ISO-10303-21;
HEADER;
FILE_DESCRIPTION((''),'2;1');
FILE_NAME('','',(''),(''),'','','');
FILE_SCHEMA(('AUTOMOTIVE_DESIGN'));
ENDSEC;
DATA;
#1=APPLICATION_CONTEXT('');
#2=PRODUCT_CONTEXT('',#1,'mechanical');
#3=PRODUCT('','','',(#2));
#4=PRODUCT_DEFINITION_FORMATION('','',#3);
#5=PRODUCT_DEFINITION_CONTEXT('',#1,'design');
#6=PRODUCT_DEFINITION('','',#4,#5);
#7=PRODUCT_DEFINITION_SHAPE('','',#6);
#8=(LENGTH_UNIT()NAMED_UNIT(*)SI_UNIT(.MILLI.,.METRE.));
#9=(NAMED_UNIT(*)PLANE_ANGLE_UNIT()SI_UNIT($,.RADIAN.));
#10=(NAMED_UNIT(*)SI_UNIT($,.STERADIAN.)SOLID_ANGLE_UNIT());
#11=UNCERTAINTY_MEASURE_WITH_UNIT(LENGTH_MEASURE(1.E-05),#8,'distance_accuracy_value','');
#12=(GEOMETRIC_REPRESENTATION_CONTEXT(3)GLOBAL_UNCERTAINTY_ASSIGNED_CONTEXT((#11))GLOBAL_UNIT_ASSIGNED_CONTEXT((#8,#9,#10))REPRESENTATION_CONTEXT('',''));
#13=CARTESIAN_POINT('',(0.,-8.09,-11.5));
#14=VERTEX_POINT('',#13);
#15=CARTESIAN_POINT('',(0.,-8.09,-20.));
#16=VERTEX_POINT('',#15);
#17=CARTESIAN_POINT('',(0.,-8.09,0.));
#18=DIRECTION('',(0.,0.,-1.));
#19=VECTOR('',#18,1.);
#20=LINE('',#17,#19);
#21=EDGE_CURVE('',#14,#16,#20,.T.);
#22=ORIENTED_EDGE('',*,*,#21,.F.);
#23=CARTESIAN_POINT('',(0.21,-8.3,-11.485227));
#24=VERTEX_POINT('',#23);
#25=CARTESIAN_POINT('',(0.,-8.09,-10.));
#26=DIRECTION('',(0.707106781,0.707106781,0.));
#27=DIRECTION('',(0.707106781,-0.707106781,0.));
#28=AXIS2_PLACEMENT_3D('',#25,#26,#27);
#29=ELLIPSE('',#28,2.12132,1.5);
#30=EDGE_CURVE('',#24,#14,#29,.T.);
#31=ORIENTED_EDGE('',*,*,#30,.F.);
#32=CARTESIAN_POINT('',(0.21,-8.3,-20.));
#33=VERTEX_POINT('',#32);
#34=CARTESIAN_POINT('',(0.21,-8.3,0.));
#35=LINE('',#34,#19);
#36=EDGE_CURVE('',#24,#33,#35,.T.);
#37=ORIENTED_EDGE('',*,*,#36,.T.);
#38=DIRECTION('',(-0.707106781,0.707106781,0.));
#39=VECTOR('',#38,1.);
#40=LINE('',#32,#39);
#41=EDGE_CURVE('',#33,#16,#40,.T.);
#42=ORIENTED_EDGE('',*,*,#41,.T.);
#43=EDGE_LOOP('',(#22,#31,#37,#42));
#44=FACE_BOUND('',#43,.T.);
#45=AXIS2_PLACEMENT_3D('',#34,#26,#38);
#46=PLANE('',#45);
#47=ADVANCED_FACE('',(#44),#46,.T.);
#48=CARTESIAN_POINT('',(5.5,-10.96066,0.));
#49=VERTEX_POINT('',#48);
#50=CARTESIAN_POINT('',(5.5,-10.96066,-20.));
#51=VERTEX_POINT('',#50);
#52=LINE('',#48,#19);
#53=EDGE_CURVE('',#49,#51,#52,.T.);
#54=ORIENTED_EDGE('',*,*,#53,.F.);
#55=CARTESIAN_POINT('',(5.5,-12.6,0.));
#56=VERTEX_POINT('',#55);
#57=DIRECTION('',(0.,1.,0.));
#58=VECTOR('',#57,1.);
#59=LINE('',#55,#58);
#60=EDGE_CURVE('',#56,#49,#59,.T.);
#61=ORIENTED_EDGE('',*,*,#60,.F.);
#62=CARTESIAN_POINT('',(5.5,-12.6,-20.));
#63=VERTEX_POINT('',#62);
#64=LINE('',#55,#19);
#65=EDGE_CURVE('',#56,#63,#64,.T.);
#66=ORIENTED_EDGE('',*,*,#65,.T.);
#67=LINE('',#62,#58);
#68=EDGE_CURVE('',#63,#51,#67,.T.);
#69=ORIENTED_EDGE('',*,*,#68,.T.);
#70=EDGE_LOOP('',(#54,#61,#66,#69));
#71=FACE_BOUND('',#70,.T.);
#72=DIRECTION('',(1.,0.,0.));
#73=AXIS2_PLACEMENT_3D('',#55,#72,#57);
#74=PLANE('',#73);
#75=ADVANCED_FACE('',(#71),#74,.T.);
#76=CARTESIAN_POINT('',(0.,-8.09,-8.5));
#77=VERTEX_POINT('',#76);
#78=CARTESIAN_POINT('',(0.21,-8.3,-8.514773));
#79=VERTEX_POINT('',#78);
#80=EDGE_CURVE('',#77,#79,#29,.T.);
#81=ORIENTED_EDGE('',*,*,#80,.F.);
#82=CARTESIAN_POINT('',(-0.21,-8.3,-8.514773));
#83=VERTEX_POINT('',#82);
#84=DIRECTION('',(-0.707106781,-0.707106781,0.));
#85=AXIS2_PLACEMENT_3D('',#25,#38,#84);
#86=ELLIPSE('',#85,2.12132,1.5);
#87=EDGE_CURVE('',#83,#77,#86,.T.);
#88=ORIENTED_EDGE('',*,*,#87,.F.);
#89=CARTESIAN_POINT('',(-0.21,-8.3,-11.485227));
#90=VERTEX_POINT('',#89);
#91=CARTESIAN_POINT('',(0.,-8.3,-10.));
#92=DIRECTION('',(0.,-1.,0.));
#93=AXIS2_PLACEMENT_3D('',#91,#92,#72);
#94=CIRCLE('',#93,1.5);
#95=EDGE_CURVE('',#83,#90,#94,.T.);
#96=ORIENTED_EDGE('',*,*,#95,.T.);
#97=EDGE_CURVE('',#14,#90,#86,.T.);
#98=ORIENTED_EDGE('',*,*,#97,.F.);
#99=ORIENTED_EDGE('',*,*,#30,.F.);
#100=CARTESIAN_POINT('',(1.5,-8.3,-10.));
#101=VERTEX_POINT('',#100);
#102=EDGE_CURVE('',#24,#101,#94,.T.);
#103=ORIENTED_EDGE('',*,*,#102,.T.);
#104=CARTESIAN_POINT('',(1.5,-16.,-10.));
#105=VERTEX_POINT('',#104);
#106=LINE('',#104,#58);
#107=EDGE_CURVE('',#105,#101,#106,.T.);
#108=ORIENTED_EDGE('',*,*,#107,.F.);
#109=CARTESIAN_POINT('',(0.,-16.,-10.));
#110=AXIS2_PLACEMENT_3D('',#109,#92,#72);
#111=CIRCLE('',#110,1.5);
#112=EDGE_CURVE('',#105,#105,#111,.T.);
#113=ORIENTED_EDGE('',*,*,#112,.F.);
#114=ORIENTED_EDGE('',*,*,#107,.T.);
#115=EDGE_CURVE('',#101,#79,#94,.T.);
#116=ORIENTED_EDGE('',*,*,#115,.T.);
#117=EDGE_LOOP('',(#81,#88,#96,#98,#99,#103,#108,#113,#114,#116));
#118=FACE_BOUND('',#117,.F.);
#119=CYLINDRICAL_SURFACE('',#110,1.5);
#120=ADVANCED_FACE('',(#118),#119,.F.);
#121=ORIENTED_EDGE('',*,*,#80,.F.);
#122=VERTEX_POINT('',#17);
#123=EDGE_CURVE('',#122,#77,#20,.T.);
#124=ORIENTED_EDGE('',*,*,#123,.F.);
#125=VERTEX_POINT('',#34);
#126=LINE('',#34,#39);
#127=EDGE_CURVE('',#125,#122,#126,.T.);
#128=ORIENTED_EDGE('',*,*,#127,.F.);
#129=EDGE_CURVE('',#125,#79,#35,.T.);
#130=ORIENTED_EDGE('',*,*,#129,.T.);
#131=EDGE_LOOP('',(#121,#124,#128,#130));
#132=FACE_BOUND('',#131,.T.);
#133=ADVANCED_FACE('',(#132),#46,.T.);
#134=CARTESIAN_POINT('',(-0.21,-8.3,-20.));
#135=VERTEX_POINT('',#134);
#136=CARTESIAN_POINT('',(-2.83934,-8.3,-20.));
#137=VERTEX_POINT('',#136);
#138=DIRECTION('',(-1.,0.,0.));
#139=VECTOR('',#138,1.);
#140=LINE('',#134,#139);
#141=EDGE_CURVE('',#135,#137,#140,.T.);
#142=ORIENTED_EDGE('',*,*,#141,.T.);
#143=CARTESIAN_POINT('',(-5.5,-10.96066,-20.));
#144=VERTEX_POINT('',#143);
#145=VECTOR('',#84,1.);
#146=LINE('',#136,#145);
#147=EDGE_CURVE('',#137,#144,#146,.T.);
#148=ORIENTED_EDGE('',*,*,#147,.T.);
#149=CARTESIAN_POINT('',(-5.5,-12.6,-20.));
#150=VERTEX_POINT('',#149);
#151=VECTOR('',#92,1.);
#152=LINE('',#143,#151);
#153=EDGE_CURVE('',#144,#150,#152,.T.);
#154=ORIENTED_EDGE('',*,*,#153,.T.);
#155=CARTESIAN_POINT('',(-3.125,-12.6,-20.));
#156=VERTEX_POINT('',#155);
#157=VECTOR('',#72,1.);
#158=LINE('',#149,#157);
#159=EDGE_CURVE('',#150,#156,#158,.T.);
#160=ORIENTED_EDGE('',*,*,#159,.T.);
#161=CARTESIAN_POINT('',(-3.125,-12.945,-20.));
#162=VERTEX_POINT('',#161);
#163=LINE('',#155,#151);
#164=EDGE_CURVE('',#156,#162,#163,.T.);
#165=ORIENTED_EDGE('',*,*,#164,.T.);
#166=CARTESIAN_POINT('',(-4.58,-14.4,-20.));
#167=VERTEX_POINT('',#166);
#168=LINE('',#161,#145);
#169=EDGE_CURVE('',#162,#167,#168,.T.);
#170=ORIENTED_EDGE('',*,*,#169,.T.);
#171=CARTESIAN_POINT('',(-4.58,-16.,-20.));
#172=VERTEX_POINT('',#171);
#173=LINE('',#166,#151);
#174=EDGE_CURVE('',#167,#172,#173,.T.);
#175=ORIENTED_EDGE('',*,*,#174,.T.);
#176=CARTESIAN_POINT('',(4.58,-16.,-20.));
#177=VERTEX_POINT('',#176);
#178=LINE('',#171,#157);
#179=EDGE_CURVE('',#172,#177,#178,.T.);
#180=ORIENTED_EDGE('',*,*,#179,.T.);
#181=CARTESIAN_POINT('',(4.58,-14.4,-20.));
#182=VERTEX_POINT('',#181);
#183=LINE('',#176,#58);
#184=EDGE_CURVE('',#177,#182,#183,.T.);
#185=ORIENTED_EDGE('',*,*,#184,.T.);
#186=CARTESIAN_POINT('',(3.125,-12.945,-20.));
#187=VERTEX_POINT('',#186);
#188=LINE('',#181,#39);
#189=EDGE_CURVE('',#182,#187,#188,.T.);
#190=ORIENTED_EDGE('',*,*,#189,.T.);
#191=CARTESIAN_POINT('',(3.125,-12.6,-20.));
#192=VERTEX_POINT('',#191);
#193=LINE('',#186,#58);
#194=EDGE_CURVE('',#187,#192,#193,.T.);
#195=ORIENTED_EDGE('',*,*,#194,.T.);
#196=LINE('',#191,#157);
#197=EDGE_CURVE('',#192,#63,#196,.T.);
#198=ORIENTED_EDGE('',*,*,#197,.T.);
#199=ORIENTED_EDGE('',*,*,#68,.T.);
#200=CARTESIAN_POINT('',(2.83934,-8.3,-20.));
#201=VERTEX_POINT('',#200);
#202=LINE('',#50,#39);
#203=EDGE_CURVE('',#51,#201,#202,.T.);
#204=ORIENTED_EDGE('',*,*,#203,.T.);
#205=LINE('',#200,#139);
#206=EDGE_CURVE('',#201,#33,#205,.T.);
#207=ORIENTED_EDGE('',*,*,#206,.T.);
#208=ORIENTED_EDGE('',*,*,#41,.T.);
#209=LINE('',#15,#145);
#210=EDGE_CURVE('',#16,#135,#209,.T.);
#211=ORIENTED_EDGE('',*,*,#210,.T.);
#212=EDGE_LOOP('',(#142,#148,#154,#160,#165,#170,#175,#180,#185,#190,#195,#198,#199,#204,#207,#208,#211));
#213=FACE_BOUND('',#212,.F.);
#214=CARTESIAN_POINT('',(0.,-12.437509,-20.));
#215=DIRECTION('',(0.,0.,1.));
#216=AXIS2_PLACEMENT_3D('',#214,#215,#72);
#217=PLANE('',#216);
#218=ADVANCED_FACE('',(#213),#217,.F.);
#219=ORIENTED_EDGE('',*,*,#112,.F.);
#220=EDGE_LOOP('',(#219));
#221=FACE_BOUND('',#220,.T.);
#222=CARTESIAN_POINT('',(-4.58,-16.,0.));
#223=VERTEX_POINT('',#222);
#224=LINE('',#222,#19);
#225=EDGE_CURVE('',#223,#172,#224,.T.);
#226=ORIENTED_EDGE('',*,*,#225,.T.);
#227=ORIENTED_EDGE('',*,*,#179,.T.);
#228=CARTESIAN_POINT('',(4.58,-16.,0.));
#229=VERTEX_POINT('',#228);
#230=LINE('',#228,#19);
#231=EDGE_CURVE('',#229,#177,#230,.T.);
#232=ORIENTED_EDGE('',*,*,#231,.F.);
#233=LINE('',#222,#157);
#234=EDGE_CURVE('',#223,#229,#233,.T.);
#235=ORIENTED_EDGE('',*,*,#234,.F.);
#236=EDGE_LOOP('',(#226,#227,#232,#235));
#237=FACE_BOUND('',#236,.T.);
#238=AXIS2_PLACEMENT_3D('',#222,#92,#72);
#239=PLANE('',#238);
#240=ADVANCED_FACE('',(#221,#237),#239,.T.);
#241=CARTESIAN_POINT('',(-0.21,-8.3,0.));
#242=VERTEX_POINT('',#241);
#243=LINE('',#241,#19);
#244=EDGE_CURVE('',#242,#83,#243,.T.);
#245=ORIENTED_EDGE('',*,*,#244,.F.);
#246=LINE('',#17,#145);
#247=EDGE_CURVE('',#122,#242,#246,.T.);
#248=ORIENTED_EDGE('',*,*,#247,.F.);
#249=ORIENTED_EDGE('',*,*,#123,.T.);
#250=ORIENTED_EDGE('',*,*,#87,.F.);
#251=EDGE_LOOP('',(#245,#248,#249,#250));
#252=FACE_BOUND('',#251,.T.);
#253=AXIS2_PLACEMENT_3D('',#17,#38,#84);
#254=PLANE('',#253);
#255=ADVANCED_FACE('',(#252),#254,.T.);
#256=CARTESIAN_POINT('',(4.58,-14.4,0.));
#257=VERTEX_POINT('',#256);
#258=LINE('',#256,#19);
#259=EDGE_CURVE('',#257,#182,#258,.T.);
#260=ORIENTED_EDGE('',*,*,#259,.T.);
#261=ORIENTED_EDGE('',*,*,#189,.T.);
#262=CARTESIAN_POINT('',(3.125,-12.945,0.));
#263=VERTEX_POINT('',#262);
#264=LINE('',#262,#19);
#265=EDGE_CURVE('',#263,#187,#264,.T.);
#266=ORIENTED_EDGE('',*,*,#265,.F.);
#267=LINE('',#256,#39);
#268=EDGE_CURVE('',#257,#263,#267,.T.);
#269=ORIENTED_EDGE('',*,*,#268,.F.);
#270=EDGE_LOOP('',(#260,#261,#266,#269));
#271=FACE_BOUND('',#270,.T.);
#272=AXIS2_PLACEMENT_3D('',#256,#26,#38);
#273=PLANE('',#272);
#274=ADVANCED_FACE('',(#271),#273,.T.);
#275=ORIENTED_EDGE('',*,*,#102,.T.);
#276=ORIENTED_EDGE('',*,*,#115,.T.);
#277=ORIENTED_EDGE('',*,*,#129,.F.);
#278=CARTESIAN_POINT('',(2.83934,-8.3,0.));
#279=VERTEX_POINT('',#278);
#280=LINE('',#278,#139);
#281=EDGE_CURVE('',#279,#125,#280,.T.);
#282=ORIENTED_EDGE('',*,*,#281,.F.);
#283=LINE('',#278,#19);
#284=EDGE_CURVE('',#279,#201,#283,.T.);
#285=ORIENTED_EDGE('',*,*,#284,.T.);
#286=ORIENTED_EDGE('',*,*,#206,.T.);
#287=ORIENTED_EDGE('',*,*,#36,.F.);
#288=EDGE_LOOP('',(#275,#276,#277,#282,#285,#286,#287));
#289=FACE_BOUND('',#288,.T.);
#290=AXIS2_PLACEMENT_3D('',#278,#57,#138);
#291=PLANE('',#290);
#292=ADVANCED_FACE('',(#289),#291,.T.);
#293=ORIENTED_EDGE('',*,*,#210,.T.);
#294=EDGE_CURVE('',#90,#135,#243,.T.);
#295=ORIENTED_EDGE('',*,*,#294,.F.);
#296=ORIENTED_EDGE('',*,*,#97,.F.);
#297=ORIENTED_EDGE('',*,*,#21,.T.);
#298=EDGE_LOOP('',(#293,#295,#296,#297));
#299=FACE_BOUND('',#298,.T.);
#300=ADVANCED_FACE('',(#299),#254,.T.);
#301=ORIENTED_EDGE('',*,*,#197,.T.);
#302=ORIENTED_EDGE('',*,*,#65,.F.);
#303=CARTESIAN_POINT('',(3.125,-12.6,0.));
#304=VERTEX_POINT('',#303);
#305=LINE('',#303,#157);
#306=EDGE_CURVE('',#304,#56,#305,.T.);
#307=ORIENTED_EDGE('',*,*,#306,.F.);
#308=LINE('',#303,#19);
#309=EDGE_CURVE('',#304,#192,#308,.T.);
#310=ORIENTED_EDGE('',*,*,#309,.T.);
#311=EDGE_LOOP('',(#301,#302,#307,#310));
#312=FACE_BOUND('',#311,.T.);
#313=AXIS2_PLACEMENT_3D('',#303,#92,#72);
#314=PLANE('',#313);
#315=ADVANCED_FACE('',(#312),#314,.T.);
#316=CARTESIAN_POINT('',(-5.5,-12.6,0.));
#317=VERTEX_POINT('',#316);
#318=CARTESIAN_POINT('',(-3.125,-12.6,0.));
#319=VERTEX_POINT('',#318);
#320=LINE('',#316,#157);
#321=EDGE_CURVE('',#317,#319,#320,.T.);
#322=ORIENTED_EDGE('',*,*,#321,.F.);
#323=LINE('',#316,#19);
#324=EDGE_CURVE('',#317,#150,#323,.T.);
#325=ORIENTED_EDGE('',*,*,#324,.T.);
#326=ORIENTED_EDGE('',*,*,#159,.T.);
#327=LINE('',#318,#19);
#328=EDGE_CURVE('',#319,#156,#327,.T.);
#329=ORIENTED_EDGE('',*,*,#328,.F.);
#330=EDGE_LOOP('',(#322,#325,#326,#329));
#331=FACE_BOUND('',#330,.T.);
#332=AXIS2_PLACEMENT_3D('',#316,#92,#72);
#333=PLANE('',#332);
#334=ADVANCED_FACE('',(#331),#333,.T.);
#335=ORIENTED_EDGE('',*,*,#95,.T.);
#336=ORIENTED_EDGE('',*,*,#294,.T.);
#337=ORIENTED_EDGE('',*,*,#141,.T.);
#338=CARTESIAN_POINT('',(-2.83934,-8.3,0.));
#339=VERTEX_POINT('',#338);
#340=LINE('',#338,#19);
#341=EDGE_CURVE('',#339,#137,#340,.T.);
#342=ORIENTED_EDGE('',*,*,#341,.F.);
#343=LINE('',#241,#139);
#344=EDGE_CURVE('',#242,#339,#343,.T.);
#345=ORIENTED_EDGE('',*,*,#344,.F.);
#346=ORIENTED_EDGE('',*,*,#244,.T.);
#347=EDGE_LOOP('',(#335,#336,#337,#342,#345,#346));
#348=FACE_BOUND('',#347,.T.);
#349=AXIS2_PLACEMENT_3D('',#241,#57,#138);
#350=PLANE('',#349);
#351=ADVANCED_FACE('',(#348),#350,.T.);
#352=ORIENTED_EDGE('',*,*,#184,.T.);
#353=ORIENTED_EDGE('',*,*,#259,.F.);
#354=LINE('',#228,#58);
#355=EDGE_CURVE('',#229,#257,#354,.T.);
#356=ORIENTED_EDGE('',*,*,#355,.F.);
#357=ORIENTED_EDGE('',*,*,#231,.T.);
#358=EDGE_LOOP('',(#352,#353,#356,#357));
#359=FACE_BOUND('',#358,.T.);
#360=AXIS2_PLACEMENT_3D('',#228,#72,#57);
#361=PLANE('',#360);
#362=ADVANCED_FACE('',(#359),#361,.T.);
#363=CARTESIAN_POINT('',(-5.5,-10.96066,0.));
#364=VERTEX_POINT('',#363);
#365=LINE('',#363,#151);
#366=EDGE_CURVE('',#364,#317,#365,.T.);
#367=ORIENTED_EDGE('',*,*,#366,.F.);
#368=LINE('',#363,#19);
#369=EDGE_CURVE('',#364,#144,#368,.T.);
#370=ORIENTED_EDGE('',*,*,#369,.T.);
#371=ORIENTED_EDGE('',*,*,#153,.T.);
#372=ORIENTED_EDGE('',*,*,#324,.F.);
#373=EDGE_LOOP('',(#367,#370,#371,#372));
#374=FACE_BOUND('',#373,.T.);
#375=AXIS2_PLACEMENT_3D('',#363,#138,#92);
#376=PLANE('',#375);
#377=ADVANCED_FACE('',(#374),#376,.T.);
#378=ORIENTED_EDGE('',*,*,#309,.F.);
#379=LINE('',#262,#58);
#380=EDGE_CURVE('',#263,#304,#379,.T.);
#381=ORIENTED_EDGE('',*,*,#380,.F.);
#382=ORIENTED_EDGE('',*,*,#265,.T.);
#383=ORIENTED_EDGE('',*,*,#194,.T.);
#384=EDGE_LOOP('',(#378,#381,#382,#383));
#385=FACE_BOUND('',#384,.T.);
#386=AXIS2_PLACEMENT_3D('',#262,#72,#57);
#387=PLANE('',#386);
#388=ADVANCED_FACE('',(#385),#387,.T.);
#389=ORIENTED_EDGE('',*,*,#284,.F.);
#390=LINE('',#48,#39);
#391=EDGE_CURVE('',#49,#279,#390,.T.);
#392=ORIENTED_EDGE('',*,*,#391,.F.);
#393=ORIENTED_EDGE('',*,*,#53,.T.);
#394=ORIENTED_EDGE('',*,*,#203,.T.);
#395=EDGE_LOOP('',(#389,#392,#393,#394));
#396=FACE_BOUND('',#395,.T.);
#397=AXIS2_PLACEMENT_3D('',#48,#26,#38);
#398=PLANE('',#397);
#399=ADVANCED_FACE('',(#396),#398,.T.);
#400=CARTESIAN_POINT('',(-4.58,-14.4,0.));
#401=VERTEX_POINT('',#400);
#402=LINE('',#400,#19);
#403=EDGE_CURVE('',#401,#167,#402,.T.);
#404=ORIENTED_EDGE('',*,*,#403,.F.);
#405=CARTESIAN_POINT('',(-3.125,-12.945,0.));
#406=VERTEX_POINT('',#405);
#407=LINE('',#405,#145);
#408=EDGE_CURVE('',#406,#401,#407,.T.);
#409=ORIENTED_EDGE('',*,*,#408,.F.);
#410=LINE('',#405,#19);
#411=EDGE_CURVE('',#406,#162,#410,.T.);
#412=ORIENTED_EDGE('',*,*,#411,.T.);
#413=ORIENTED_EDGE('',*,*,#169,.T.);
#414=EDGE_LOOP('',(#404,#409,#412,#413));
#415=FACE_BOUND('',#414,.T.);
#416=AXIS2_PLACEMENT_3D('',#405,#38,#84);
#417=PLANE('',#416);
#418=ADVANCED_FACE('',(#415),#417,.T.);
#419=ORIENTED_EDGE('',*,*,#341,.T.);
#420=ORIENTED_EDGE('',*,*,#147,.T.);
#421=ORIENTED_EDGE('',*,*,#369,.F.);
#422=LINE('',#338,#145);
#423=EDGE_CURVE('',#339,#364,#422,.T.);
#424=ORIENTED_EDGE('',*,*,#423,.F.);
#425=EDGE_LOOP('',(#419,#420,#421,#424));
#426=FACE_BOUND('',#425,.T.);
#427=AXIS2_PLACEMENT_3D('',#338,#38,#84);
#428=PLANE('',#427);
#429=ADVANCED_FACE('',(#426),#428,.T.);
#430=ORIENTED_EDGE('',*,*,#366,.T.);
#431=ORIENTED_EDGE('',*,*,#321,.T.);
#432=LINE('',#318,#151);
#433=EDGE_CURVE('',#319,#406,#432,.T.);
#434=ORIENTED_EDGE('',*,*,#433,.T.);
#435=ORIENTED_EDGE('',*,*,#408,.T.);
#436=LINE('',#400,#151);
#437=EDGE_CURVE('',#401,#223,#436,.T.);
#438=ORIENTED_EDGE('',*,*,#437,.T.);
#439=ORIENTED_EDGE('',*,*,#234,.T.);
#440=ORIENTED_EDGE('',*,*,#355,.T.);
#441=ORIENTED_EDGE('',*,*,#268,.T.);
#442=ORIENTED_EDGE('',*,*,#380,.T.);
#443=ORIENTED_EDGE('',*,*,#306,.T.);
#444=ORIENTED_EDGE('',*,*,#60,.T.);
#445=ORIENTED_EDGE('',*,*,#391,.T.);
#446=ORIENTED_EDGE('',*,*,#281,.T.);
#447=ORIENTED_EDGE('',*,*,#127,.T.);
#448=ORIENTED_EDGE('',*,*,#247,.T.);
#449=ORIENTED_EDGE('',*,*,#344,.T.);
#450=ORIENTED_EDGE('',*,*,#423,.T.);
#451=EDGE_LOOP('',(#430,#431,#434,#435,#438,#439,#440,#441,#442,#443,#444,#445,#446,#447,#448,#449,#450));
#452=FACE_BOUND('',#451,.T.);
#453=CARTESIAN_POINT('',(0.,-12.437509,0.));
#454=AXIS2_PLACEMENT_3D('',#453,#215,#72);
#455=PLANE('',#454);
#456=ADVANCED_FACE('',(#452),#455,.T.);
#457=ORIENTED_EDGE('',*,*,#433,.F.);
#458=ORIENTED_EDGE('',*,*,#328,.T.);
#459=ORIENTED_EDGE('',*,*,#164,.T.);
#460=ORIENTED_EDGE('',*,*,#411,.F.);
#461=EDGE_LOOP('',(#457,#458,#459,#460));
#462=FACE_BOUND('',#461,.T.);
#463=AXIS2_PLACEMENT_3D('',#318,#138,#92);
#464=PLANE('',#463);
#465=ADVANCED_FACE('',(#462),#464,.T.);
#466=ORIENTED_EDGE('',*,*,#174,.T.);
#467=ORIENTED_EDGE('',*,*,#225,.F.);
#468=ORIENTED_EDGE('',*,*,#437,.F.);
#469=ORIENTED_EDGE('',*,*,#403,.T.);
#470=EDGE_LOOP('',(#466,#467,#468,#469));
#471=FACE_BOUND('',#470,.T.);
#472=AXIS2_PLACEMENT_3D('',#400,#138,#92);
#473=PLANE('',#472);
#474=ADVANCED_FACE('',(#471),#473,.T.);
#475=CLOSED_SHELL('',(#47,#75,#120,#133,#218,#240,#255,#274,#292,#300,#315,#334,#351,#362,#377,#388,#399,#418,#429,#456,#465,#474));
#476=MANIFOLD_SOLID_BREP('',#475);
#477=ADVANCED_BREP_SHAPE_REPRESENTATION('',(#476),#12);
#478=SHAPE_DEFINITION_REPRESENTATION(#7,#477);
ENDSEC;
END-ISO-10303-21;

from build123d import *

# Parameters (mm, degrees)
F1_DEPTH = 20
F2_R     = 1.5
F3_DEPTH = 25


with BuildPart() as f1:
    # F0 (on Top) → F1 (new body)
    with BuildSketch(Plane.XY):
        Polygon((4.58, -16), (4.58, -14.4), (3.125, -12.945), (3.125, -12.6), (5.5, -12.6), (5.5, -10.96066), (2.83934, -8.3), (0.21, -8.3), (0, -8.09), (-0.21, -8.3), (-2.83934, -8.3), (-5.5, -10.96066), (-5.5, -12.6), (-3.125, -12.6), (-3.125, -12.945), (-4.58, -14.4), (-4.58, -16), align=None)
    extrude(amount=-F1_DEPTH)

    # F2 (on face) → F3 (cut)
    with BuildSketch(Plane.XZ.offset(16)):
        with Locations((0, -10)):
            Circle(F2_R)
    extrude(amount=-F3_DEPTH, mode=Mode.SUBTRACT)


solid = f1.part
